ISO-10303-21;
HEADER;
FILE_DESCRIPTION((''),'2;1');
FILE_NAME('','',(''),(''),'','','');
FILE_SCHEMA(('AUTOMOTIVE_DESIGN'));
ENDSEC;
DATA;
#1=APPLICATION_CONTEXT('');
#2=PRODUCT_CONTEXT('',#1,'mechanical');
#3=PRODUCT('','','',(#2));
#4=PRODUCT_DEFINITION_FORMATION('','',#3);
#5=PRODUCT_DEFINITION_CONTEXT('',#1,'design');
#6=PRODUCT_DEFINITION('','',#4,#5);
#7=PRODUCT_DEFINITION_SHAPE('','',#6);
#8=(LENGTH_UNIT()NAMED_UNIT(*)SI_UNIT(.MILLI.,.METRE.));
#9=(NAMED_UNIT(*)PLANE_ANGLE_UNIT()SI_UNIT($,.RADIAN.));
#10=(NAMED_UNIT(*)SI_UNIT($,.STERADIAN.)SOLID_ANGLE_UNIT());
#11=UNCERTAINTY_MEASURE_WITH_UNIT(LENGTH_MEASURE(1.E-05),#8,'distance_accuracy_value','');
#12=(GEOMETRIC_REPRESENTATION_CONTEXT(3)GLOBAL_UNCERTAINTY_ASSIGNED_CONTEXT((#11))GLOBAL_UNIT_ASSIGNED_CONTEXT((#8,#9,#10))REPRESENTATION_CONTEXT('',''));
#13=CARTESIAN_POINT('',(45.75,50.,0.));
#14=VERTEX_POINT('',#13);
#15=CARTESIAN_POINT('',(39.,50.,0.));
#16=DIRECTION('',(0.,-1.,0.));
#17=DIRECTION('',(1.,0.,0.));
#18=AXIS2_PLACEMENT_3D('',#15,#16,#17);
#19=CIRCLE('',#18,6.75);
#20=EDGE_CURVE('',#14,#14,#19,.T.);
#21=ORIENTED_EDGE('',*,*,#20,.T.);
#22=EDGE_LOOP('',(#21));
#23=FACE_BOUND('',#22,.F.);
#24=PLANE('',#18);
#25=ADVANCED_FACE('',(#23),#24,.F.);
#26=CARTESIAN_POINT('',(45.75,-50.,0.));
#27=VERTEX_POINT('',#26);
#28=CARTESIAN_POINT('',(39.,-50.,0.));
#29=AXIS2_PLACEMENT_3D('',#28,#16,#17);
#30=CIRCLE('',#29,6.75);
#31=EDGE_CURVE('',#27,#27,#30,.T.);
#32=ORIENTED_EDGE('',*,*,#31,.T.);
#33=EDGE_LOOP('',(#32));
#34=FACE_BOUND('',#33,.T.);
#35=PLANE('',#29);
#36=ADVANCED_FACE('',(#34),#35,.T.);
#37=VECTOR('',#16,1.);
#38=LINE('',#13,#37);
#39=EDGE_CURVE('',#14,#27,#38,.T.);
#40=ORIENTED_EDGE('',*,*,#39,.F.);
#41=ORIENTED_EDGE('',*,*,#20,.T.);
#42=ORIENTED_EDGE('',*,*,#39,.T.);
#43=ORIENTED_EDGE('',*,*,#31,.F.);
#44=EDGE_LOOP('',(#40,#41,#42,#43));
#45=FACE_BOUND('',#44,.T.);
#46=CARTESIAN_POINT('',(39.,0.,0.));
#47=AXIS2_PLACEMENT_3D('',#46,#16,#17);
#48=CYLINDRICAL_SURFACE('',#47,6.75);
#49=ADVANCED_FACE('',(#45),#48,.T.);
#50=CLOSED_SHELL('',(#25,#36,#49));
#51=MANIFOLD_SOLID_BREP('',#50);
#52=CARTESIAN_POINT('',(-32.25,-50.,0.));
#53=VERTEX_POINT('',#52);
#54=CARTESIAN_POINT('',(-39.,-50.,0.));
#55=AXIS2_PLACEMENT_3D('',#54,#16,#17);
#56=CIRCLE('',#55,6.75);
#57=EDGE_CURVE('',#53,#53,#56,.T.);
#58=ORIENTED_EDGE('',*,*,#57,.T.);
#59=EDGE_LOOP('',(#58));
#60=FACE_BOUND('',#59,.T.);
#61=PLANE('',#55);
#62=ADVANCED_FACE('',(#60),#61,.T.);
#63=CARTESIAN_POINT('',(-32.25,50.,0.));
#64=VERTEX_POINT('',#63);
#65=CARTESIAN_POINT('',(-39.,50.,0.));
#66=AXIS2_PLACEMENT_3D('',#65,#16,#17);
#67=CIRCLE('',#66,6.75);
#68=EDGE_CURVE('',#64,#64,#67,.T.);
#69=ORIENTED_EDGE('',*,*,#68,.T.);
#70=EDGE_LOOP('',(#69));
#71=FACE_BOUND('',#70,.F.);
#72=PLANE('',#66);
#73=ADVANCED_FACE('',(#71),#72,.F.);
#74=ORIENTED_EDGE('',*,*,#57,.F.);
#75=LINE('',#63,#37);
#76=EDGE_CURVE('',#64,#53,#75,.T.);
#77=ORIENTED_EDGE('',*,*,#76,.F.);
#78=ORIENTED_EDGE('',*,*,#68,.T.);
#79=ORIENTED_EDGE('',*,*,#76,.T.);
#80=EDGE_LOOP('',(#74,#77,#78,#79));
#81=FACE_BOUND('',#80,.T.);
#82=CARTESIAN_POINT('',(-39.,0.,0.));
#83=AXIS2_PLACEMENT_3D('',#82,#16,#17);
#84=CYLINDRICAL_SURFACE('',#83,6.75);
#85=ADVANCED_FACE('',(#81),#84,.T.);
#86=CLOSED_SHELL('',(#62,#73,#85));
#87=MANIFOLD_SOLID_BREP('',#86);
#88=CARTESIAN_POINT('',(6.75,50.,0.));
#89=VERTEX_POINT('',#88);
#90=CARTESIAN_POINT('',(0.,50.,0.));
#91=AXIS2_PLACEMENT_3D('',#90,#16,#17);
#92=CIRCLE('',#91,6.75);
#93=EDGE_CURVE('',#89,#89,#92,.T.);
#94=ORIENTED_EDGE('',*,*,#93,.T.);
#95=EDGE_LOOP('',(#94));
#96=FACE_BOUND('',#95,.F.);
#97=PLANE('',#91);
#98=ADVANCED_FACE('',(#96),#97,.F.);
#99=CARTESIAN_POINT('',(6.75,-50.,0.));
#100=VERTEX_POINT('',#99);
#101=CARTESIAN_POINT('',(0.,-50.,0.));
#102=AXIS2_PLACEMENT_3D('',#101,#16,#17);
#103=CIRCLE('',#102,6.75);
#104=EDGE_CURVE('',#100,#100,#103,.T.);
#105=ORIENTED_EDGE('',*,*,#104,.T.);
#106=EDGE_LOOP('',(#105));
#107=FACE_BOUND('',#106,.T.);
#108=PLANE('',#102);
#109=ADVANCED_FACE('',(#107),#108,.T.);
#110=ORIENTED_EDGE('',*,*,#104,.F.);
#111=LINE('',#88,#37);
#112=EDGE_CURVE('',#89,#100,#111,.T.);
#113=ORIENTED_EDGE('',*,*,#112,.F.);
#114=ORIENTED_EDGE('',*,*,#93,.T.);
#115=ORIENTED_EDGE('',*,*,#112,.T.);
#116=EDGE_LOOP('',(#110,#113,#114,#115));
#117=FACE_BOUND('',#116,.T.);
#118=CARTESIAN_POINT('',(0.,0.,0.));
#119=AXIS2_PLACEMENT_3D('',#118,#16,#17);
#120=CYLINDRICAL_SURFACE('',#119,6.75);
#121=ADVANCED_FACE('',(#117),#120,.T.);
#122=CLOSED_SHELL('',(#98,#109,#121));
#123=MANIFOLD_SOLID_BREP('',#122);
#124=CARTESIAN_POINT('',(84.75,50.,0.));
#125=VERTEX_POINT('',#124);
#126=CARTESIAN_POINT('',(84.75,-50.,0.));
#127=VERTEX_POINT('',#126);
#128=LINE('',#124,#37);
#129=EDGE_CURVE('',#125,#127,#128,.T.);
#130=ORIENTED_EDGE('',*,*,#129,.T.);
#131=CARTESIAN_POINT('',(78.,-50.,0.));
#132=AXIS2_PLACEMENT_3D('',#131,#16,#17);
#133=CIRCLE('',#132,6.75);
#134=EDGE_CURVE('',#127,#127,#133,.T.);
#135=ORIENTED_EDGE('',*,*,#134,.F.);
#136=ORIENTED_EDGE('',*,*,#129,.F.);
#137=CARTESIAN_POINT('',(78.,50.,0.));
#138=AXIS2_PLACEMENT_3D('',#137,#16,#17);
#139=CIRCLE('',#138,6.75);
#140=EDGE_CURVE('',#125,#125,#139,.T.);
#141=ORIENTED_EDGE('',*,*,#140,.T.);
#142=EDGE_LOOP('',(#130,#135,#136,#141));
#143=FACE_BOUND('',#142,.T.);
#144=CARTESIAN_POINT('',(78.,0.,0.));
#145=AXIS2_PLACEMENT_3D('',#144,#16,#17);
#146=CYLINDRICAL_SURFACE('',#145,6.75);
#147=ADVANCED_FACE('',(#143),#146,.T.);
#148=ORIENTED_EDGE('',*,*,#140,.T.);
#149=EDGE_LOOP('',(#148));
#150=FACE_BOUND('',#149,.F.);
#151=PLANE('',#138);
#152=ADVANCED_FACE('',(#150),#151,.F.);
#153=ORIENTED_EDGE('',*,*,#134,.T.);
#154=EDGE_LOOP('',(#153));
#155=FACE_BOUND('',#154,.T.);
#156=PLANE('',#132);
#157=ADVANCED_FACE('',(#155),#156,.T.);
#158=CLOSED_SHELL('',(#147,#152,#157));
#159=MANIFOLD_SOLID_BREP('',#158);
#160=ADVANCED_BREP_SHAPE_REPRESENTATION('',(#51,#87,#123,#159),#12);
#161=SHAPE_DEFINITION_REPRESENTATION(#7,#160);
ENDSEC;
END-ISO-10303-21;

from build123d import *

# Parameters (mm, degrees)
F0_R          = 6.75
F1_DEPTH      = 50
F1_DEPTH_BACK = 50


with BuildPart() as f1:
    # F0 (on Front) → F1 (new body, two sides)
    with BuildSketch(Plane.XZ) as f1_sk:
        Circle(F0_R)
        with Locations((39, 0)):
            Circle(F0_R)
        with Locations((-39, 0)):
            Circle(F0_R)
        with Locations((78, 0)):
            Circle(F0_R)
    extrude(amount=F1_DEPTH)
    extrude(f1_sk.sketch, amount=-F1_DEPTH_BACK)


solid = f1.part
